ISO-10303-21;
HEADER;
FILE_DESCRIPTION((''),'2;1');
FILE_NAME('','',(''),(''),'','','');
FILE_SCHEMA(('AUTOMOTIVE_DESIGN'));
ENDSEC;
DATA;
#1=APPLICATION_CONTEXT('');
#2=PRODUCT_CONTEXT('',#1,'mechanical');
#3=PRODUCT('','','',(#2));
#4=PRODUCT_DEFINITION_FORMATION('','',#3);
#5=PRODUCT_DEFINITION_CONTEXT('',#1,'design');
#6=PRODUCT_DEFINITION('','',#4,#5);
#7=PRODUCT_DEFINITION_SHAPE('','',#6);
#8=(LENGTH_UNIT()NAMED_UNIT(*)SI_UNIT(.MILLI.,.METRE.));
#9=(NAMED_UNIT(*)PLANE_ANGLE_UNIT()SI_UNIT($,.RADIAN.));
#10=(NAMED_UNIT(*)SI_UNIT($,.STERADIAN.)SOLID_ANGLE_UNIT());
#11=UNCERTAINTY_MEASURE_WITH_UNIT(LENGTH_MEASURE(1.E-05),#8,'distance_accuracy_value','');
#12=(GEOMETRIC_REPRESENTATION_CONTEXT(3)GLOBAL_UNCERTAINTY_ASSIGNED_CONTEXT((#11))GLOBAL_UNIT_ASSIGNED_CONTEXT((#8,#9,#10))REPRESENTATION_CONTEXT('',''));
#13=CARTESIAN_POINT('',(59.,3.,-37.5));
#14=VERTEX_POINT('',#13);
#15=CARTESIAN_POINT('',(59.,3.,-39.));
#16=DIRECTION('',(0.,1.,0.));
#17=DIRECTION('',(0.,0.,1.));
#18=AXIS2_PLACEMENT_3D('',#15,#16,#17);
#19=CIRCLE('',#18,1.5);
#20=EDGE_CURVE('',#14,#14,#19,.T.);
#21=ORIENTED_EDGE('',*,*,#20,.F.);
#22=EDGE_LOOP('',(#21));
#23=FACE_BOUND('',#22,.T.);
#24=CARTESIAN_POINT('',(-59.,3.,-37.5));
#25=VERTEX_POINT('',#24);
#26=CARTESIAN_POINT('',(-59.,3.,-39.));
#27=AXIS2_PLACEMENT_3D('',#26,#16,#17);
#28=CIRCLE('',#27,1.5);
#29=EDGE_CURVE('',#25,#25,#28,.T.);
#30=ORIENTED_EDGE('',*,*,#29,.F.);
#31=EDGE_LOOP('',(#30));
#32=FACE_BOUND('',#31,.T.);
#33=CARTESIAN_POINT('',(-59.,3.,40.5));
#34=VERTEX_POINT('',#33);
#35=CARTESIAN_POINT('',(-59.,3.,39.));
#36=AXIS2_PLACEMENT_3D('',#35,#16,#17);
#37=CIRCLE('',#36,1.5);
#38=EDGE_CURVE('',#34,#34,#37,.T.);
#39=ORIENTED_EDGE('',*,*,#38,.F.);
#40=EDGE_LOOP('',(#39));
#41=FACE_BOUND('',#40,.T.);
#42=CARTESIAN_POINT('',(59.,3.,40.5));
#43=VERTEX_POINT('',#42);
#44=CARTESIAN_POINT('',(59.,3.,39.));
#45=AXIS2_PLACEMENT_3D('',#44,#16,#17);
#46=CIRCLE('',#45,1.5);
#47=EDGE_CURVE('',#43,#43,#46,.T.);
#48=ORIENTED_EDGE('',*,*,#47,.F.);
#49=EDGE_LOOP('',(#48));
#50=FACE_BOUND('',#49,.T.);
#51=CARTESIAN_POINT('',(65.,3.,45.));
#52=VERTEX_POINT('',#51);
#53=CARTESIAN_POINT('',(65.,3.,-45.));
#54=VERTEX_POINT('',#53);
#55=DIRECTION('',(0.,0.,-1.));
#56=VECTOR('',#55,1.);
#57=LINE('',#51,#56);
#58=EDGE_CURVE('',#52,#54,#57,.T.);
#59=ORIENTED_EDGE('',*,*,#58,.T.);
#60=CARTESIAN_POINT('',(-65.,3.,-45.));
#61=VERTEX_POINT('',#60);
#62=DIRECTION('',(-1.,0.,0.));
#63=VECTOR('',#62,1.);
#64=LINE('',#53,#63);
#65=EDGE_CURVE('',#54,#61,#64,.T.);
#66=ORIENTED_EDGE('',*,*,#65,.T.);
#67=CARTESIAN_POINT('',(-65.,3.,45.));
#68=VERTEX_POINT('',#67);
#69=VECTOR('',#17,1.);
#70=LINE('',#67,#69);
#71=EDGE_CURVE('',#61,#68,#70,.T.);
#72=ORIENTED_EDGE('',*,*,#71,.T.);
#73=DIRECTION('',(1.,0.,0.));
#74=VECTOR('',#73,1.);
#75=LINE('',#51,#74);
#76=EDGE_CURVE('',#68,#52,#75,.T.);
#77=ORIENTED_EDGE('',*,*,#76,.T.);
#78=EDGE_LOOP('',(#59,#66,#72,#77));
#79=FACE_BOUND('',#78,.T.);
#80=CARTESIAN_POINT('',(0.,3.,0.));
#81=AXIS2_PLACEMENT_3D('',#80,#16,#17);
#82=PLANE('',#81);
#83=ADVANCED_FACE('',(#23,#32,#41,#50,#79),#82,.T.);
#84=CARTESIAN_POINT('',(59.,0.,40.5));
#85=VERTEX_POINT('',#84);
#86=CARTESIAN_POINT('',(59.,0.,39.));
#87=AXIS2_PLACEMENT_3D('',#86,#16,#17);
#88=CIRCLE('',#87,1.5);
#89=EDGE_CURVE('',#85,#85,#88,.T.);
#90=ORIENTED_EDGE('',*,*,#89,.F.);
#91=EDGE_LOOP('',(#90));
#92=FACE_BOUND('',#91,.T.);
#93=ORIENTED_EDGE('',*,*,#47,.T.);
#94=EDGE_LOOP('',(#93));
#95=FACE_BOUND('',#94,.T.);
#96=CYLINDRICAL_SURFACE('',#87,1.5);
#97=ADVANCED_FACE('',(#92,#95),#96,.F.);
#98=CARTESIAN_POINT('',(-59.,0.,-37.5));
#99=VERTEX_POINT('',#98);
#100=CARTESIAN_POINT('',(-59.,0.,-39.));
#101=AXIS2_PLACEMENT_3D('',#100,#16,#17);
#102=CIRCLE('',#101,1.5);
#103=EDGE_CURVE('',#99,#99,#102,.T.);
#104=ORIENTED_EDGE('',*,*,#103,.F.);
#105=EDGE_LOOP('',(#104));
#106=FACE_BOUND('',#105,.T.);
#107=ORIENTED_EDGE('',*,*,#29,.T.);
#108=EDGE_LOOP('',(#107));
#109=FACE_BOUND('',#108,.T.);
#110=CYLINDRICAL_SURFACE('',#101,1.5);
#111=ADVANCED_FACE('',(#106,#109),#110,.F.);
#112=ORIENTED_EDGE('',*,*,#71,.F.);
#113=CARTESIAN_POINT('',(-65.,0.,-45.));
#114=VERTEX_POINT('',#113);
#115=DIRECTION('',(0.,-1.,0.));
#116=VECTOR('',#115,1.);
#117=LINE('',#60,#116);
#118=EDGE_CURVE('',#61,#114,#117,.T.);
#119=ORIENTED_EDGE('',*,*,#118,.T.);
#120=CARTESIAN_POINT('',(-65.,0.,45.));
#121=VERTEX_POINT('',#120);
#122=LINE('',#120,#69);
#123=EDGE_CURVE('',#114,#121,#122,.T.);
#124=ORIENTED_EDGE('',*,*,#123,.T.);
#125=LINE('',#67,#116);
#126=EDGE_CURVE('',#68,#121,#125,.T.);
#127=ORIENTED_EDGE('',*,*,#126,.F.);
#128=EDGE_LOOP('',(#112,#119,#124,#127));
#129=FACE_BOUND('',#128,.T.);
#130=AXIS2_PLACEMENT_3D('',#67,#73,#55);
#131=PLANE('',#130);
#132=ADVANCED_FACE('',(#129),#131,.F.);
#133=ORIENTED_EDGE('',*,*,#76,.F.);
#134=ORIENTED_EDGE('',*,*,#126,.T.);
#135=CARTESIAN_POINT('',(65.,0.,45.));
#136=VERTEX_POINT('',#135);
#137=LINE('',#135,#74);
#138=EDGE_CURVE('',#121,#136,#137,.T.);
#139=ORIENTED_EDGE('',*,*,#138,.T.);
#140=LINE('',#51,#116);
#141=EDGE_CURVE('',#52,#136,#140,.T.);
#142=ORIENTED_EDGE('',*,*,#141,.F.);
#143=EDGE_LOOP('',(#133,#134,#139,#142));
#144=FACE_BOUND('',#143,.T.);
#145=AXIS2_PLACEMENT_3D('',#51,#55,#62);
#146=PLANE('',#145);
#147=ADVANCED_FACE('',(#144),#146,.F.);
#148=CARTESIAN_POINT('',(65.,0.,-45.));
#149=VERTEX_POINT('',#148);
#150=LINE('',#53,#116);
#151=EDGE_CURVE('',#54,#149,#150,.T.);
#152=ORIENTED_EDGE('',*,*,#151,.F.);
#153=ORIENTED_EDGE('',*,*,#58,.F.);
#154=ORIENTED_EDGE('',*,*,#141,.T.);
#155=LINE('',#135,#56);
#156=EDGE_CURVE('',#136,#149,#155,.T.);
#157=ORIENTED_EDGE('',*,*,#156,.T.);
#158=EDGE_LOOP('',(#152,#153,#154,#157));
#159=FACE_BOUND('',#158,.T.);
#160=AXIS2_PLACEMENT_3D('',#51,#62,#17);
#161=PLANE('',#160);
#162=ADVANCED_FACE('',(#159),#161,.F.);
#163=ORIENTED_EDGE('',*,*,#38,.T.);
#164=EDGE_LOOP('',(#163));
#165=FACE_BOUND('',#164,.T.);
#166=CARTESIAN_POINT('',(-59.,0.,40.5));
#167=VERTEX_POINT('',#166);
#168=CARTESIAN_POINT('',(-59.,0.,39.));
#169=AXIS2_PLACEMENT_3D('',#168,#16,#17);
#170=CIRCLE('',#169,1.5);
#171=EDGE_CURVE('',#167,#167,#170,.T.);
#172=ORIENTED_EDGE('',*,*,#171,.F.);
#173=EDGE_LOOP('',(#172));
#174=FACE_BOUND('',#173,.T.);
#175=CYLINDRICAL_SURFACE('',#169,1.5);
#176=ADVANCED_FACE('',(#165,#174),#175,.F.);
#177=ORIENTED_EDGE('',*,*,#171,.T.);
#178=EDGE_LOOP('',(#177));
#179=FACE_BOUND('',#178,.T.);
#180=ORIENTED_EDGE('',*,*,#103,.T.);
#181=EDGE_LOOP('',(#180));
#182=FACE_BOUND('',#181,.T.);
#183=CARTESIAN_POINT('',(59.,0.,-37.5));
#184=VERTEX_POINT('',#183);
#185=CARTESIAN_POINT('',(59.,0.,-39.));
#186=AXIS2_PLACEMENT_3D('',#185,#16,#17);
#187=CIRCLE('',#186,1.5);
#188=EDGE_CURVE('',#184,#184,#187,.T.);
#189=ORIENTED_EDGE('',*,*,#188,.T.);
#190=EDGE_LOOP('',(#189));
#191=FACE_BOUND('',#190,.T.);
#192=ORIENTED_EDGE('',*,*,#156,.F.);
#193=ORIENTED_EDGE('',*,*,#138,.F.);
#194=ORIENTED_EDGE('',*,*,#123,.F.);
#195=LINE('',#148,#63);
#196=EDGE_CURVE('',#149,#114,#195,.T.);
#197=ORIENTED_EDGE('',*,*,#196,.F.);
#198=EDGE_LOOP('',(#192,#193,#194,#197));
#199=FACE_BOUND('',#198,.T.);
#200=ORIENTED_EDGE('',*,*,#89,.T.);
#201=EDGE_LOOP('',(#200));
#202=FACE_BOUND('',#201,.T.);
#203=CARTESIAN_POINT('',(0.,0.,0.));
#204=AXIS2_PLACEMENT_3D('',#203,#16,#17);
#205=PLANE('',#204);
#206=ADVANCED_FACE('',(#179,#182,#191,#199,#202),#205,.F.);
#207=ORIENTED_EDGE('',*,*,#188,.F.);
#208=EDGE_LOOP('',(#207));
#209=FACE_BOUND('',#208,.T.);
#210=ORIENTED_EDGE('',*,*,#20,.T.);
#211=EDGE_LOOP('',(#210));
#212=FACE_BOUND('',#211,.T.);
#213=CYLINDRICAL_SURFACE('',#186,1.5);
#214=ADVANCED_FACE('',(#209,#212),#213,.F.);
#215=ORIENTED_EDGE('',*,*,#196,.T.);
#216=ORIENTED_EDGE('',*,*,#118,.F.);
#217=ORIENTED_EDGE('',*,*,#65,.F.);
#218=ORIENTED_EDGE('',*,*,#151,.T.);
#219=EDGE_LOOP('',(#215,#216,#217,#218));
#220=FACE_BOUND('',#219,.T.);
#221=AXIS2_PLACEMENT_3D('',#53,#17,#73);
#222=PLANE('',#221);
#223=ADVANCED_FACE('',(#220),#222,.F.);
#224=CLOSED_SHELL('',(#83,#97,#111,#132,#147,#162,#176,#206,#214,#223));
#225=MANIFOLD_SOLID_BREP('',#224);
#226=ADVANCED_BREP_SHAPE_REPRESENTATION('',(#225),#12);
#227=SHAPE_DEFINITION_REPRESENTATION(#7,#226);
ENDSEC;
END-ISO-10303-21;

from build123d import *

# Parameters (mm, degrees)
SKETCH2_W            = 130
SKETCH2_H            = 90
BOSS_EXTRUDE1_DEPTH  = 3
SKETCH3_R            = 1.5
CUT_EXTRUDE1_DEPTH   = 4
LPATTERN1_COUNT      = 2
LPATTERN1_PITCH      = 78
LPATTERN1_COUNT_DIR2 = 2
LPATTERN1_PITCH_DIR2 = 118


with BuildPart() as part:
    # Sketch2 → Boss-Extrude1 (new body)
    with BuildSketch(Plane(origin=(0, 0, 0), x_dir=(1, 0, 0), z_dir=(0, 1, 0))):
        Rectangle(SKETCH2_W, SKETCH2_H)
    extrude(amount=BOSS_EXTRUDE1_DEPTH)

    # Sketch3 → Cut-Extrude1 (cut, through all)
    with BuildSketch(Plane(origin=(0, 3, 0), x_dir=(1, 0, 0), z_dir=(0, 1, 0))):
        with Locations((59, -39)):
            Circle(SKETCH3_R)
    cut_extrude1 = extrude(amount=-CUT_EXTRUDE1_DEPTH, mode=Mode.SUBTRACT)

    # LPattern1: Cut-Extrude1 2 × 2
    with Locations(*[(-j * LPATTERN1_PITCH_DIR2, 0, -i * LPATTERN1_PITCH) for i in range(LPATTERN1_COUNT) for j in range(LPATTERN1_COUNT_DIR2) if (i, j) != (0, 0)]):
        add(cut_extrude1, mode=Mode.SUBTRACT)


solid = part.part
